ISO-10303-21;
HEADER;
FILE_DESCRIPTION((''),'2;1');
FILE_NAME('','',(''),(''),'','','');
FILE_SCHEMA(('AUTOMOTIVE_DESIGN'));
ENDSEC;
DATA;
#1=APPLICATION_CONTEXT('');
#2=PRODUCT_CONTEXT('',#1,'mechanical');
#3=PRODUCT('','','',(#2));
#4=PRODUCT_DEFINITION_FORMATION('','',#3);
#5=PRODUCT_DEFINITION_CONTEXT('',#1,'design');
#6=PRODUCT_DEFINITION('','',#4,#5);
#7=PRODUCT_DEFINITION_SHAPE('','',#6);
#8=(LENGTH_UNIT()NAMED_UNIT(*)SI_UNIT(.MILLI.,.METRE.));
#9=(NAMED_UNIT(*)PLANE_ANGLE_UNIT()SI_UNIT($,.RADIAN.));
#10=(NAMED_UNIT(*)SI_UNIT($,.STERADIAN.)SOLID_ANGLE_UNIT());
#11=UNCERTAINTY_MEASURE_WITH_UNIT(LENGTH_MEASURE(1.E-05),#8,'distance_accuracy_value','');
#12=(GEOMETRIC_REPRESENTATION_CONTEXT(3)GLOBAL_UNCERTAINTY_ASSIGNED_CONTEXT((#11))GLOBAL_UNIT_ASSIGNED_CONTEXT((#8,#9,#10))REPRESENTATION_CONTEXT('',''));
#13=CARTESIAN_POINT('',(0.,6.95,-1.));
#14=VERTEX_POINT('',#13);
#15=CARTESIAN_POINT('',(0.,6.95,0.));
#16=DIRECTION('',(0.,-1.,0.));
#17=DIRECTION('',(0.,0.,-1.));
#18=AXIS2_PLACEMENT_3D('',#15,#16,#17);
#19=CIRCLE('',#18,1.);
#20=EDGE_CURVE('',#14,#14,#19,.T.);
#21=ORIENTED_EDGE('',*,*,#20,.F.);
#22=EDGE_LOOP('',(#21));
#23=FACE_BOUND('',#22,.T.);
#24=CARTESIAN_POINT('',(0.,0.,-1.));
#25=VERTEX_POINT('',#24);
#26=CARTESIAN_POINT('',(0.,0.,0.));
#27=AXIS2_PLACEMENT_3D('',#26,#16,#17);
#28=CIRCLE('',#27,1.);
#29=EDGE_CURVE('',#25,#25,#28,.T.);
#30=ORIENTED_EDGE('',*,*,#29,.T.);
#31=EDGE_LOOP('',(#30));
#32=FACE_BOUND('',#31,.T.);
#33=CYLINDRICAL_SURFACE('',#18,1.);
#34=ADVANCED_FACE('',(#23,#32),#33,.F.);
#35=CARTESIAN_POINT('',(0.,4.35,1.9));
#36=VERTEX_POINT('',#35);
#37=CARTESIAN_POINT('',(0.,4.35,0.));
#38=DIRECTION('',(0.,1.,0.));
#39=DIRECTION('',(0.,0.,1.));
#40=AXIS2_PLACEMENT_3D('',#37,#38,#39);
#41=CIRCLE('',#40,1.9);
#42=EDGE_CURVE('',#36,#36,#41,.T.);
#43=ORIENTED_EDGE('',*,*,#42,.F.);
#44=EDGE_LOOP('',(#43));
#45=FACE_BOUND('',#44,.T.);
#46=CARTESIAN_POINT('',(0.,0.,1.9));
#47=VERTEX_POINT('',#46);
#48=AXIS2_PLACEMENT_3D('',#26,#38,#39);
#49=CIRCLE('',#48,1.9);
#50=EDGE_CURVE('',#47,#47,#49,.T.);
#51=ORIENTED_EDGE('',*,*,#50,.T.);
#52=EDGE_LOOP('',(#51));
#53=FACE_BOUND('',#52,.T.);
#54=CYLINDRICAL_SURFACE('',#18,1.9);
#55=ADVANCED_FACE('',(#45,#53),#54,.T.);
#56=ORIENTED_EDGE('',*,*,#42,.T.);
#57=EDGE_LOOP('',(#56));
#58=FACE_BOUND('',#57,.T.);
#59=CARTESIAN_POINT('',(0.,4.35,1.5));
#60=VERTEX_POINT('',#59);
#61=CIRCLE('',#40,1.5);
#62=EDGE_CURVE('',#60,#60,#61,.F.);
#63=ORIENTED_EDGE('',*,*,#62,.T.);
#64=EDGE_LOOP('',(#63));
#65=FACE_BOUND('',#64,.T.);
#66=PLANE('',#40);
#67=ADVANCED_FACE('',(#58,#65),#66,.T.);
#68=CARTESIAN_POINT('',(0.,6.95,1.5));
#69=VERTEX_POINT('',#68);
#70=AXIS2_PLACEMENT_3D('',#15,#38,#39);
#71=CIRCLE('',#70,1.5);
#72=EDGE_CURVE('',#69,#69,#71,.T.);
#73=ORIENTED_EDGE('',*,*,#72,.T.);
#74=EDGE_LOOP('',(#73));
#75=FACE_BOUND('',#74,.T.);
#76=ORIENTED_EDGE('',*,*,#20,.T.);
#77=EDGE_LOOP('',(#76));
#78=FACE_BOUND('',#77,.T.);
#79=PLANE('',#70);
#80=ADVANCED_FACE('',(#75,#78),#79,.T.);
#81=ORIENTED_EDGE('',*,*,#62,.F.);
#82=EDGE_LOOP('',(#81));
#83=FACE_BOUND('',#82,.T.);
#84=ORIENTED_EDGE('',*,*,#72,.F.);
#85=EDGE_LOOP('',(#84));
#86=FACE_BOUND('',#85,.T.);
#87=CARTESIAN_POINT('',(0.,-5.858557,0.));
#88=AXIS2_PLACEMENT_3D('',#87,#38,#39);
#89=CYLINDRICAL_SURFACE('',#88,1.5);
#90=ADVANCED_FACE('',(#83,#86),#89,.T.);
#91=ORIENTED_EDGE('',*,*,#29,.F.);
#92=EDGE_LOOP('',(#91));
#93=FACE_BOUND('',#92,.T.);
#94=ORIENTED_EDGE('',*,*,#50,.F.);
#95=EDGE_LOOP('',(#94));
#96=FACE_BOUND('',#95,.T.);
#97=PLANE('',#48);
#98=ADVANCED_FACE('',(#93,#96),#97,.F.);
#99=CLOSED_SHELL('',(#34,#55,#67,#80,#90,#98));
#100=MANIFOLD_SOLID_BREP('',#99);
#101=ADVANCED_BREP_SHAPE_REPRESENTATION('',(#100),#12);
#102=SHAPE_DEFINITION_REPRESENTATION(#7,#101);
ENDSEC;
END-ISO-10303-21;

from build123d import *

# Parameters (mm, degrees)
SKETCH1_R           = 1.9
BOSS_EXTRUDE1_DEPTH = 6.95
SKETCH2_OUTSIDE_W   = 7.558
SKETCH2_OUTSIDE_H   = 7.558
SKETCH2_OUTSIDE_R   = 1.5
CUT_EXTRUDE1_DEPTH  = 2.6
SKETCH3_R           = 1
CUT_EXTRUDE2_DEPTH  = 7.95


with BuildPart() as part:
    # Sketch1 → Boss-Extrude1 (new body)
    with BuildSketch(Plane(origin=(0, 0, 0), x_dir=(1, 0, 0), z_dir=(0, 1, 0))):
        Circle(SKETCH1_R)
    extrude(amount=BOSS_EXTRUDE1_DEPTH)

    # Sketch2 outside → Cut-Extrude1 (cut)
    with BuildSketch(Plane(origin=(0, 6.95, 0), x_dir=(1, 0, 0), z_dir=(0, 1, 0))):
        Rectangle(SKETCH2_OUTSIDE_W, SKETCH2_OUTSIDE_H)
        Circle(SKETCH2_OUTSIDE_R, mode=Mode.SUBTRACT)
    extrude(amount=-CUT_EXTRUDE1_DEPTH, mode=Mode.SUBTRACT)

    # Sketch3 → Cut-Extrude2 (cut, through all)
    with BuildSketch(Plane.XZ):
        Circle(SKETCH3_R)
    extrude(amount=-CUT_EXTRUDE2_DEPTH, mode=Mode.SUBTRACT)


solid = part.part
